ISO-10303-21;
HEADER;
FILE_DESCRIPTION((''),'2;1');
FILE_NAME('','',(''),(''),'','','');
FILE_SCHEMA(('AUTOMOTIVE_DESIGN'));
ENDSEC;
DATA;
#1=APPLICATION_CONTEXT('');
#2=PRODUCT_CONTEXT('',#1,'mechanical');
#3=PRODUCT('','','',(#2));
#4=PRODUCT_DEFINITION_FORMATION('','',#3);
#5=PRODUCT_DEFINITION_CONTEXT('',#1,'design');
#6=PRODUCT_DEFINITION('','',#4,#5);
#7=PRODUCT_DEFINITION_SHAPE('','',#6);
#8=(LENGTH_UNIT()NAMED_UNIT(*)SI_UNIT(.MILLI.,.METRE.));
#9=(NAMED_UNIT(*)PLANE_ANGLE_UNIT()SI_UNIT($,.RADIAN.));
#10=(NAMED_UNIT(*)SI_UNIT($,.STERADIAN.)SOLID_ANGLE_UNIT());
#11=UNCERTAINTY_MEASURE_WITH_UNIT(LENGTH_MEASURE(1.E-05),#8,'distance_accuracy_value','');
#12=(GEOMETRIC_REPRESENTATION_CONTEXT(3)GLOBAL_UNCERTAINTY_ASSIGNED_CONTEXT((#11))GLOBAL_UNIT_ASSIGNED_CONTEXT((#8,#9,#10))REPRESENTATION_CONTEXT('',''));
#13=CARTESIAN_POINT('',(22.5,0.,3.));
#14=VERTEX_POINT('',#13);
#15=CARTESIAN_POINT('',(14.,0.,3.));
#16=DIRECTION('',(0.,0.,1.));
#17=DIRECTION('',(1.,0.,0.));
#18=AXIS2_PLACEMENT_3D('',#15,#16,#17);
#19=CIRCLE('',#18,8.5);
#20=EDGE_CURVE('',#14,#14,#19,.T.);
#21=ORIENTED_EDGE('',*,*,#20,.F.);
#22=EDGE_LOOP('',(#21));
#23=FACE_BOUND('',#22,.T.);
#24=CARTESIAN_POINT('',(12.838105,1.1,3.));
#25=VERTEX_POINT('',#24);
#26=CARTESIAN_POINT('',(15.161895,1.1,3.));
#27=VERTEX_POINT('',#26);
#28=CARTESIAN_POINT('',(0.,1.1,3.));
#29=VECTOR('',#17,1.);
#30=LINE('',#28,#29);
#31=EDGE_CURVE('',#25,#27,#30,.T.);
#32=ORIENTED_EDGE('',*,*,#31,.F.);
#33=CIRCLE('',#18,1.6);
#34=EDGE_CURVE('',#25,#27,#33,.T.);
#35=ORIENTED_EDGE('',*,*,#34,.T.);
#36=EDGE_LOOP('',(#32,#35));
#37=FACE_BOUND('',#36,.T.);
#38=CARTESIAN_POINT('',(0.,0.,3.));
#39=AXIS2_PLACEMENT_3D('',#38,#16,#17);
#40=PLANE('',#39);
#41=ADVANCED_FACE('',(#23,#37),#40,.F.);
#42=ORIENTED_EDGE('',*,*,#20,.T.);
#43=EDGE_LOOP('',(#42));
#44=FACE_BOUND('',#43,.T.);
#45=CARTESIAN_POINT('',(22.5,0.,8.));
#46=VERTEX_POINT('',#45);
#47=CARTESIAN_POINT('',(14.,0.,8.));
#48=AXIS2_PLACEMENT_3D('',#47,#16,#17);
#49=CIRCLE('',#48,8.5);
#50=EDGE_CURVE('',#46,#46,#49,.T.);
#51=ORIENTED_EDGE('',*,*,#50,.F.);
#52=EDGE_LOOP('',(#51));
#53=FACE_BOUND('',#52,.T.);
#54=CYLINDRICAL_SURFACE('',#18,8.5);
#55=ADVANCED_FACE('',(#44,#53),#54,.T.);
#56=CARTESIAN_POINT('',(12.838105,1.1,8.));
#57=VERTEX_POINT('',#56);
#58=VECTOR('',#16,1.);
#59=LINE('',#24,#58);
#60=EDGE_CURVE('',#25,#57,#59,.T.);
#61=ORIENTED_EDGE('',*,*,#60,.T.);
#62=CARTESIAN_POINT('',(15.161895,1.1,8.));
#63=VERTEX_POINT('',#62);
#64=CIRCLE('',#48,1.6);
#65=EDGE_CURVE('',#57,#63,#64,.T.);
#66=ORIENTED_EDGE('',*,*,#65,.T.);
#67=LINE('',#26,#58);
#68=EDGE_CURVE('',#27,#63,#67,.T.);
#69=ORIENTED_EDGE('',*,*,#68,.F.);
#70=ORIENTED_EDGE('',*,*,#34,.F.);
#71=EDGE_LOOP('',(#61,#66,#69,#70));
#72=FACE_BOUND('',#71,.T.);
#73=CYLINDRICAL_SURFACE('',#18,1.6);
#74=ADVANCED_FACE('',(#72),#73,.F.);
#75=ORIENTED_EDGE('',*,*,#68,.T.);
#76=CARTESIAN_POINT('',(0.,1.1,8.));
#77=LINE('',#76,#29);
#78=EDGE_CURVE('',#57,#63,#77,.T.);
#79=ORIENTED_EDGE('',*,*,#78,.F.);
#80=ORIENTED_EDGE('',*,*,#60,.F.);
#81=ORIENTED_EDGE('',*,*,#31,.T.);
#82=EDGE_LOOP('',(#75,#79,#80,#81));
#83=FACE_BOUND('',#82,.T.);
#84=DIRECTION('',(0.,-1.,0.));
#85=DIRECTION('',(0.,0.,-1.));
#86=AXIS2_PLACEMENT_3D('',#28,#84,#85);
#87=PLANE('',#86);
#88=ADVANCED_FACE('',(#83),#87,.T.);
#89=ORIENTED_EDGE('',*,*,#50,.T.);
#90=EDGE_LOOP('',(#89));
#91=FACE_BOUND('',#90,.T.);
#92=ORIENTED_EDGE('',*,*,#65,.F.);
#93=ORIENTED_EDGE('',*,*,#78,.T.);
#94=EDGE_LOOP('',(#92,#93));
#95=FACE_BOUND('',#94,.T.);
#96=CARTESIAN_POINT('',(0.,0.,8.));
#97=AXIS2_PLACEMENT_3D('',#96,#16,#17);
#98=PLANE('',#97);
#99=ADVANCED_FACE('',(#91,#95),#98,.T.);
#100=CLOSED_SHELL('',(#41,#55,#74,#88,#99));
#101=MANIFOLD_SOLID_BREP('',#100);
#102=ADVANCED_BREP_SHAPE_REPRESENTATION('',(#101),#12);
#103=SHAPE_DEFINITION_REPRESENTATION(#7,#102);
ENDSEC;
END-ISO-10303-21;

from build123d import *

# Parameters (mm, degrees)
SKETCH2_R           = 8.5
BOSS_EXTRUDE1_DEPTH = 5


with BuildPart() as part:
    # Sketch2 → Boss-Extrude1 (new body)
    with BuildSketch(Plane.XY.offset(8)):
        with Locations((14, 0)):
            Circle(SKETCH2_R)
        with BuildLine():
            ThreePointArc((12.838104996, 1.1), (14, -1.6), (15.161895004, 1.1))
            Line((15.161895004, 1.1), (12.838104996, 1.1))
        make_face(mode=Mode.SUBTRACT)
    extrude(amount=-BOSS_EXTRUDE1_DEPTH)


solid = part.part
